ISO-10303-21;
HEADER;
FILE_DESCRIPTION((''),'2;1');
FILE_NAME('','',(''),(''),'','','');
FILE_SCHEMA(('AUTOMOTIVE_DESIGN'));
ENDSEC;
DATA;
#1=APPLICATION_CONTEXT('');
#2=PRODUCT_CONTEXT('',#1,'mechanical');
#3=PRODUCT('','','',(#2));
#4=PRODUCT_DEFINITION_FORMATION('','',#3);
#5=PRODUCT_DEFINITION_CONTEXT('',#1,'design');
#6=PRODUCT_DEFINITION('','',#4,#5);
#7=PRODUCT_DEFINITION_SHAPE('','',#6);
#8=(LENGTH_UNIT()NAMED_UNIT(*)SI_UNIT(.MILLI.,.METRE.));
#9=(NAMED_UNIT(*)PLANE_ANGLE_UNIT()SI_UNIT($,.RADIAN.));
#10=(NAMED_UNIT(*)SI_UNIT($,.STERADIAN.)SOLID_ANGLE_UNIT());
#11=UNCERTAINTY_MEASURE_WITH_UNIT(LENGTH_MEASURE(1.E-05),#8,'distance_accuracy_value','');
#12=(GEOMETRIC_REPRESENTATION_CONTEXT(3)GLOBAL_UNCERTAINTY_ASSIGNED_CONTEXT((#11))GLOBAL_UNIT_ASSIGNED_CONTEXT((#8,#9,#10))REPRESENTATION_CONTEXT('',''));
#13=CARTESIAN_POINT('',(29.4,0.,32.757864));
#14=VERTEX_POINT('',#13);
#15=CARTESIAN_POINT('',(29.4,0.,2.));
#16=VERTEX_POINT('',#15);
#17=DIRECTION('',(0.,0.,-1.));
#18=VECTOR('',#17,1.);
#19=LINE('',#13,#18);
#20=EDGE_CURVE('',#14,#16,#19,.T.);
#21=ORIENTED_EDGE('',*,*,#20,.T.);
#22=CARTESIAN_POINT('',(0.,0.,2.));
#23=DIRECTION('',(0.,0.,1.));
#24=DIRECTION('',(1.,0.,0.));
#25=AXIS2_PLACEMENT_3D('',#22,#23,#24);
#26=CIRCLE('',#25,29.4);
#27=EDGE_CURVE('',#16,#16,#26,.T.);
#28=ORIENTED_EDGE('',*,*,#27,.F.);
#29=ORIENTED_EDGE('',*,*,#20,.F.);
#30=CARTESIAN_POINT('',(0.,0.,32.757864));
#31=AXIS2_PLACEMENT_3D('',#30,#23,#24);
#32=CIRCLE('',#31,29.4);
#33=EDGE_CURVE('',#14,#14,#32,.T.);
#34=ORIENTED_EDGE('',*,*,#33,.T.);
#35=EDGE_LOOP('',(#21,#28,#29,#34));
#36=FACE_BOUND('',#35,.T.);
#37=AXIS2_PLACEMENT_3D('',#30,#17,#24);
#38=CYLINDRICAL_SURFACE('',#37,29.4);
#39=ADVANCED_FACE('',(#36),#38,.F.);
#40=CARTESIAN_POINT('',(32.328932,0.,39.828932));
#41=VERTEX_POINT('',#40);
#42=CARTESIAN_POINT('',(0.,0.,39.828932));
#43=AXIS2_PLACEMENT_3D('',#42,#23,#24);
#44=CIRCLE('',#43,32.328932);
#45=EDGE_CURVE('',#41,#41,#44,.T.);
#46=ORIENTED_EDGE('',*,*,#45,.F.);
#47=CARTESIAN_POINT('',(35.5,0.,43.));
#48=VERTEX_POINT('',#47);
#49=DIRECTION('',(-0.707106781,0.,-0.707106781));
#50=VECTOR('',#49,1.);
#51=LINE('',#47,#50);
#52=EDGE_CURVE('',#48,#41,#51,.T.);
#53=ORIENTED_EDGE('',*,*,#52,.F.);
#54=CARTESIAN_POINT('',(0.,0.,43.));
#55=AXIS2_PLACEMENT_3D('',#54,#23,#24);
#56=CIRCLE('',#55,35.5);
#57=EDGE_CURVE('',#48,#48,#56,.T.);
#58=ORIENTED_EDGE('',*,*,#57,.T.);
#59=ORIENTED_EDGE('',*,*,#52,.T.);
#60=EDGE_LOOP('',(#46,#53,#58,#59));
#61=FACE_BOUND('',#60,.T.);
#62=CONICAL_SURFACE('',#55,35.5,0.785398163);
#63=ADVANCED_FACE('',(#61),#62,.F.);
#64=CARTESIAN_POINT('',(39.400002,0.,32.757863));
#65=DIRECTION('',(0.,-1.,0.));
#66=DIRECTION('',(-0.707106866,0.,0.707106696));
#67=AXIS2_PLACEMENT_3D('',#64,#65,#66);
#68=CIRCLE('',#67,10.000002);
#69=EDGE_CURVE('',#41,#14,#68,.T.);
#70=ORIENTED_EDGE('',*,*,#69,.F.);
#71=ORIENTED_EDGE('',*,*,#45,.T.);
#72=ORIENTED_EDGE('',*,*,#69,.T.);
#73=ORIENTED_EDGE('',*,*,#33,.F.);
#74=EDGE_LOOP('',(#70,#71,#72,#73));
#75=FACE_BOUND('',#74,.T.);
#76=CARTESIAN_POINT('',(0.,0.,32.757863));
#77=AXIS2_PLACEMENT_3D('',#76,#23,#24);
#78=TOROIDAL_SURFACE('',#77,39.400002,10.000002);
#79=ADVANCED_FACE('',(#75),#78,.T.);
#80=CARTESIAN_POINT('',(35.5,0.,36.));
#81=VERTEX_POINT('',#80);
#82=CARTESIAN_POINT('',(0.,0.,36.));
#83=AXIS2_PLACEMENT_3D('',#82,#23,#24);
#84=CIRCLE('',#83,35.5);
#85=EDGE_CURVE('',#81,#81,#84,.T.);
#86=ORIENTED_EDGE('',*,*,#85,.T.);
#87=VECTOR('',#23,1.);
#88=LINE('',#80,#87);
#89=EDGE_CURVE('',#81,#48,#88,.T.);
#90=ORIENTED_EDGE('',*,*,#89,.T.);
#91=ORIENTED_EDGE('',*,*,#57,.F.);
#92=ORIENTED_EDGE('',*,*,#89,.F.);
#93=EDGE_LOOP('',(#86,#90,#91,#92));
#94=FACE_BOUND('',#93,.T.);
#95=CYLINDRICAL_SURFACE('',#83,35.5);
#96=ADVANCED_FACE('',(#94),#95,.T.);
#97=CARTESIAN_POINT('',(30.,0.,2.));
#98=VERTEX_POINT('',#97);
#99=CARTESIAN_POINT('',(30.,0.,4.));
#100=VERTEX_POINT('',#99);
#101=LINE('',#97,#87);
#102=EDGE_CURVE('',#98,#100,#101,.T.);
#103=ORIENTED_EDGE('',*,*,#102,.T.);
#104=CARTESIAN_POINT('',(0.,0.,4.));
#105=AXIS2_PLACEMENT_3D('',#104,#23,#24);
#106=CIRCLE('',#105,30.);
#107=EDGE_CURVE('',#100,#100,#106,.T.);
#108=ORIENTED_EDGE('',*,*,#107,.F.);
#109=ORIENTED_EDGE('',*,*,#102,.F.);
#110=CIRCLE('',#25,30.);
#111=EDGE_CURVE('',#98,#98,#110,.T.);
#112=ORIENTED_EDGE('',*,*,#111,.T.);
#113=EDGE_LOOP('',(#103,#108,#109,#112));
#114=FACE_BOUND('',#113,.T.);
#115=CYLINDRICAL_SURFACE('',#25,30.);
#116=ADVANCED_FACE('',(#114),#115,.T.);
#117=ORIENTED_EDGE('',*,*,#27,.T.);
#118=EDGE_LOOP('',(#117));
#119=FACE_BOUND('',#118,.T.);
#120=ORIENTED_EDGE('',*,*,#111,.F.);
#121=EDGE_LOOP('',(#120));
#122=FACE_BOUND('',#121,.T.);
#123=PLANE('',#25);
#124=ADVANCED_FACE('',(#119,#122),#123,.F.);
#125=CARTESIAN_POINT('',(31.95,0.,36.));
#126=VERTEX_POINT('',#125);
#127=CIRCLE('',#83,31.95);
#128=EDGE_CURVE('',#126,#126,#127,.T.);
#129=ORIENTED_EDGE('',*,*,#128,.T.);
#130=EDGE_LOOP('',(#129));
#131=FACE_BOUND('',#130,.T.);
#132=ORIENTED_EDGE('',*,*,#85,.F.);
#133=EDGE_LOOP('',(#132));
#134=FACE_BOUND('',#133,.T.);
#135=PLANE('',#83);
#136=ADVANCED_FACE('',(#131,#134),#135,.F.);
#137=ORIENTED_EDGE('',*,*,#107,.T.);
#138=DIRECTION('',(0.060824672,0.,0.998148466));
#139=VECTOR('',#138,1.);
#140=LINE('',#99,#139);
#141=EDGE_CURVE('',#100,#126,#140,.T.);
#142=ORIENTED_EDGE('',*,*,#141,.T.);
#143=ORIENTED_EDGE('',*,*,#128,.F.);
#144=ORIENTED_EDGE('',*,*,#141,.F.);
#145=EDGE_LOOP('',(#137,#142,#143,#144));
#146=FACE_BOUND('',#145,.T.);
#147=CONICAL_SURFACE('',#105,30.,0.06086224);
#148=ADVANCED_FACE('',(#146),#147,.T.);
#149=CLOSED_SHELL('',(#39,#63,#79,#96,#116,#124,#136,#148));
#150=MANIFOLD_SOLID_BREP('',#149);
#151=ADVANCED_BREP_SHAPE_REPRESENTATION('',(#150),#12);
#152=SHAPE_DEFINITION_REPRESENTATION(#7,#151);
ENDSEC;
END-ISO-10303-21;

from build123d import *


with BuildPart() as f3:
    # F1 (on Front) → F3 (revolve)
    with BuildSketch(Plane.XZ):
        with BuildLine():
            Line((31.95, 36), (35.5, 36))
            Line((35.5, 36), (35.5, 43))
            Line((35.5, 43), (32.328932, 39.828932))
            ThreePointArc((32.328932, 39.828932), (30.161205, 36.584699), (29.4, 32.757864))
            Line((29.4, 32.757864), (29.4, 4))
            Line((29.4, 4), (29.4, 2))
            Line((29.4, 2), (30, 2))
            Line((30, 2), (30, 4))
            Line((30, 4), (31.95, 36))
        make_face()
    revolve(axis=Axis((0, 0, 15.079502), (0, 0, 1)))


solid = f3.part
